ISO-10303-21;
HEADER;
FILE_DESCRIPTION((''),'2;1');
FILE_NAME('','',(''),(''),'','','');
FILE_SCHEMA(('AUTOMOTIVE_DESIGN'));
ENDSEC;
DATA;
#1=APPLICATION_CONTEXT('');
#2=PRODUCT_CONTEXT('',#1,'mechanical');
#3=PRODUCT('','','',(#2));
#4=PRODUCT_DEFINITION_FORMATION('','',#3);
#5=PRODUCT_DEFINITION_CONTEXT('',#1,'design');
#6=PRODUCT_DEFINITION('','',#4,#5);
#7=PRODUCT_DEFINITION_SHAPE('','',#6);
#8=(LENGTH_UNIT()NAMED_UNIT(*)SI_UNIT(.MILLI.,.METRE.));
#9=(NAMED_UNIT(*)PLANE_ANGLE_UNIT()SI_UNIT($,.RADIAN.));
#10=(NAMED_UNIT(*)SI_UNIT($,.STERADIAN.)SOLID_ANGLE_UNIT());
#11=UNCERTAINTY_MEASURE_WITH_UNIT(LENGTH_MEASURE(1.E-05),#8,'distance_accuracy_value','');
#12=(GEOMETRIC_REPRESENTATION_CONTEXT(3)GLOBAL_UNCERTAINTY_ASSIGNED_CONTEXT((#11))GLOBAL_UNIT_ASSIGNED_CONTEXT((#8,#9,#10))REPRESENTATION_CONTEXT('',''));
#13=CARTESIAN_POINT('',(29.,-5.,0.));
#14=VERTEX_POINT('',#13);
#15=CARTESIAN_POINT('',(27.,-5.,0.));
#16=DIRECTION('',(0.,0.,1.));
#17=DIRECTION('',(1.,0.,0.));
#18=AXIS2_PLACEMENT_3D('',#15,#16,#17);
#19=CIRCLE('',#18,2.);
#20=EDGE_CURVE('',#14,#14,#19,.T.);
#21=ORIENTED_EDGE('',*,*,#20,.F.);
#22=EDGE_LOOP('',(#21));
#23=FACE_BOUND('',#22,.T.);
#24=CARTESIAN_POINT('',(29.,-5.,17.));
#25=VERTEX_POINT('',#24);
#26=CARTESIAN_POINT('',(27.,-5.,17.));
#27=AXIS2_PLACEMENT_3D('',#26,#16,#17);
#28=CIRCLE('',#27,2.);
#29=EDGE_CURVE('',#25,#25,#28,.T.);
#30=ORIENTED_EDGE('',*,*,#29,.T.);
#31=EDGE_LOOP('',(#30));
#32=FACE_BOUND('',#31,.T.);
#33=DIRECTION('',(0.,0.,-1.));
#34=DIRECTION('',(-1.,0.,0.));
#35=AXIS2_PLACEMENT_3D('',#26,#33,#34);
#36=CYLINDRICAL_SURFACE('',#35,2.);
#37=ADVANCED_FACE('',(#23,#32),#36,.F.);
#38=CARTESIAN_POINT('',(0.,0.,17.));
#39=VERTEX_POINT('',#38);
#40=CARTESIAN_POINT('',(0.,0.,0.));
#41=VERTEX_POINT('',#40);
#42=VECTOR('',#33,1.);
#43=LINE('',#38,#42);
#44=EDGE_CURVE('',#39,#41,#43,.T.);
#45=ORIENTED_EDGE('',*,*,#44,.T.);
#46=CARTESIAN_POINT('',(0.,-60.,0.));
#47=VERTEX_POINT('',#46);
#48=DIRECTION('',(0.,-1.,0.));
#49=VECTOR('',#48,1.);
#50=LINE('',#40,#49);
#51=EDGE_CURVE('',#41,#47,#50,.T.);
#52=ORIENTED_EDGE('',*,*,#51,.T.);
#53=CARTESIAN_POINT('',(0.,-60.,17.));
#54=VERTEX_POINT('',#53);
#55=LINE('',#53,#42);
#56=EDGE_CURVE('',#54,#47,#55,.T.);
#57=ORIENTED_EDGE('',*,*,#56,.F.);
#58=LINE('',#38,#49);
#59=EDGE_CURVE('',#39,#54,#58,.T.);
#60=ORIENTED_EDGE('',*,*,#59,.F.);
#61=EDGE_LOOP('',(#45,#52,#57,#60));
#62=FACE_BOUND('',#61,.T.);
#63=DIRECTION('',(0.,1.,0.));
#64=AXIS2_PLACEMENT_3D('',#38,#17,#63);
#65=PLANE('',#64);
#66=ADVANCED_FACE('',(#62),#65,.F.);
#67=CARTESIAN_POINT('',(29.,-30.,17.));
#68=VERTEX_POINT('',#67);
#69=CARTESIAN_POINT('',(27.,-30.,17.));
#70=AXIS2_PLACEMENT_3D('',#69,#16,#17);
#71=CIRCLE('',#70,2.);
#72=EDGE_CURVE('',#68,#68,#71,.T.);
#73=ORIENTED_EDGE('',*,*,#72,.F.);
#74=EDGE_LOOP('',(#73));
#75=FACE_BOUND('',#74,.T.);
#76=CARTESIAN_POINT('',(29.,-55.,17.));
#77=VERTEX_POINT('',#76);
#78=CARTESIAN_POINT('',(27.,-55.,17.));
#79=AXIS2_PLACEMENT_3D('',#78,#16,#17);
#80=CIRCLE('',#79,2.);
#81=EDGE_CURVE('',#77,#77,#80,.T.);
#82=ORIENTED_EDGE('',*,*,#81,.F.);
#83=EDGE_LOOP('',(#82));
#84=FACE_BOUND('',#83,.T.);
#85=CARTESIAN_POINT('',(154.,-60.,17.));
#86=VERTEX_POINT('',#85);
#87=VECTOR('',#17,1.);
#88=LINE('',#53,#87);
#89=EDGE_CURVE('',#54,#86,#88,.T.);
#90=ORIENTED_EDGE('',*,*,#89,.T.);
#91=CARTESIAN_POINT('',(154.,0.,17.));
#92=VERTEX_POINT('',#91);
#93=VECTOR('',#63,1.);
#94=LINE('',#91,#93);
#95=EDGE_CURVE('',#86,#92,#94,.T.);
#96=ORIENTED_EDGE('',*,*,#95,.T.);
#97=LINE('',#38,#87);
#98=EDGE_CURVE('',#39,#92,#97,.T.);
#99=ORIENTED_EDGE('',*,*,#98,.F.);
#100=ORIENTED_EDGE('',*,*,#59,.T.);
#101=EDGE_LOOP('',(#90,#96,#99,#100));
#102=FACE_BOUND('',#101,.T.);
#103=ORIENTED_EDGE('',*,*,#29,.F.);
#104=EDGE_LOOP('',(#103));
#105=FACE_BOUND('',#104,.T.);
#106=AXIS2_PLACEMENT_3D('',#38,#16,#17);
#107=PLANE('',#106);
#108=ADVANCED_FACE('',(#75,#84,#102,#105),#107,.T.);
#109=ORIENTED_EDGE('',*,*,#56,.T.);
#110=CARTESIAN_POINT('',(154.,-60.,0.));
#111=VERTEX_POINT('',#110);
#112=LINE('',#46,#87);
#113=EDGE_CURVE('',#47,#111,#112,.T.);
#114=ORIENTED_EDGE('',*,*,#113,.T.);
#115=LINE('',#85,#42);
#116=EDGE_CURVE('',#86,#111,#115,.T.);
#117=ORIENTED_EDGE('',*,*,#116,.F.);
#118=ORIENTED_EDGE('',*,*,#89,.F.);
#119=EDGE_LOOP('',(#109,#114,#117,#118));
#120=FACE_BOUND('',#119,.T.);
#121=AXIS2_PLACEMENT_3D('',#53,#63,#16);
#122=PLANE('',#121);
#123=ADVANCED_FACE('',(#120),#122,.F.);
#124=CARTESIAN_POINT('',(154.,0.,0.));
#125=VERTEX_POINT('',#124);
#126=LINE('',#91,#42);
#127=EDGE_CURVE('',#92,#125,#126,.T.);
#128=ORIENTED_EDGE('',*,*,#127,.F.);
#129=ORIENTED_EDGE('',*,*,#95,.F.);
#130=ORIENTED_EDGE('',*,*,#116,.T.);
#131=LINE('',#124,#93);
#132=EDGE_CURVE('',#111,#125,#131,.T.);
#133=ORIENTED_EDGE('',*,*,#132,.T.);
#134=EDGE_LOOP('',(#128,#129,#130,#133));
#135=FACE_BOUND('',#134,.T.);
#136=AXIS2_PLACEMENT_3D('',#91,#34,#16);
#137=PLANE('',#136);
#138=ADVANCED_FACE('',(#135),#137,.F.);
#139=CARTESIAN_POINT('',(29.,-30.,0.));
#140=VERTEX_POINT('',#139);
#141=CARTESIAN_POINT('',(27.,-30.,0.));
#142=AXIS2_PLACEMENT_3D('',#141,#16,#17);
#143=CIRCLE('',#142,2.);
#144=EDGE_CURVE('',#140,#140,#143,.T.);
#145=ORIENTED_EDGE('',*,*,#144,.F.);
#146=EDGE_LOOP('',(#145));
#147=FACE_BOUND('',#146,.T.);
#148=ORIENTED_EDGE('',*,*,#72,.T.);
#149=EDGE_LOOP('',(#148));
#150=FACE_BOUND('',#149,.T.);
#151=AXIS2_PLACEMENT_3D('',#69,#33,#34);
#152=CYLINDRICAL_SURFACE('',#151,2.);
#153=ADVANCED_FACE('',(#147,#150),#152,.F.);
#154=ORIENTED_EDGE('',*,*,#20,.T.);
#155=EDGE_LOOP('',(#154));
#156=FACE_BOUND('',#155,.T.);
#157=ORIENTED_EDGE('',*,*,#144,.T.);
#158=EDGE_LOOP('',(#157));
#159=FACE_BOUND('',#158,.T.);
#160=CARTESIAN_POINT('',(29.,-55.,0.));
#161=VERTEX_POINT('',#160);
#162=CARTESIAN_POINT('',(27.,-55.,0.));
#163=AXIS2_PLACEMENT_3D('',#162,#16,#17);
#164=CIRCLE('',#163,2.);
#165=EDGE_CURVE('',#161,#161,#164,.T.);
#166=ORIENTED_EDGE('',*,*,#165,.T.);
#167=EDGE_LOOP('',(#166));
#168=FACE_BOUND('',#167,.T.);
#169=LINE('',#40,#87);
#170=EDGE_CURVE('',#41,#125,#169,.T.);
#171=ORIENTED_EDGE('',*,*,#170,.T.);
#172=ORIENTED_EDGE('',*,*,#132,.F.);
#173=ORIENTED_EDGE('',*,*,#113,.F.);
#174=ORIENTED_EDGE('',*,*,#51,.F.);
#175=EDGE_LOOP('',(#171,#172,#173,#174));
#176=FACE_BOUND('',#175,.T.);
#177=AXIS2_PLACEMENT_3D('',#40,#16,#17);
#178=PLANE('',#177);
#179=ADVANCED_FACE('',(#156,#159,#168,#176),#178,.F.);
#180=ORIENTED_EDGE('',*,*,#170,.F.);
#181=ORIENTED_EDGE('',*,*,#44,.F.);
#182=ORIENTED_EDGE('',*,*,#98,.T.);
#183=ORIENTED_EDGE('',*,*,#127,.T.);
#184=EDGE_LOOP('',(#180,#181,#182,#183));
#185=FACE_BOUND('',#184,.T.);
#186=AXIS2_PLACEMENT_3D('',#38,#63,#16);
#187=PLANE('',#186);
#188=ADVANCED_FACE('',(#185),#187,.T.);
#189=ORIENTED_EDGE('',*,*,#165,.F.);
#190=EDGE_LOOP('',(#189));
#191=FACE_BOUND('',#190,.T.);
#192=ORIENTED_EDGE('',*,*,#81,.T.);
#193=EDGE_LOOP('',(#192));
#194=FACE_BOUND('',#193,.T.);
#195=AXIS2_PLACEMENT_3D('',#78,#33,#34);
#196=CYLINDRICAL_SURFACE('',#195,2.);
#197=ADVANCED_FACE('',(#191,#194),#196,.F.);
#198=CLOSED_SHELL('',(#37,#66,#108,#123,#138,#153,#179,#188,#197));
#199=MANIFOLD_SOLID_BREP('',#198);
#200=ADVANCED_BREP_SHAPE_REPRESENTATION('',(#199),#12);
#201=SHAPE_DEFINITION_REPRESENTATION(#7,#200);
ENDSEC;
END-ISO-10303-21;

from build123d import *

# Parameters (mm, degrees)
ESQUISSE1_W        = 54
ESQUISSE1_H        = 60
ESQUISSE1_R        = 2
ESQUISSE1_W_2      = 46
BOSS_EXTRU_1_DEPTH = 17


with BuildPart() as part:
    # Esquisse1 → Boss.-Extru.1 (new body)
    # profile 1 of 3: a face of its own
    with BuildSketch(Plane.XY):
        with Locations((27, -30)):
            Rectangle(ESQUISSE1_W, ESQUISSE1_H)
        with Locations((27, -5)):
            Circle(ESQUISSE1_R, mode=Mode.SUBTRACT)
        with Locations((27, -30)):
            Circle(ESQUISSE1_R, mode=Mode.SUBTRACT)
        with Locations((27, -55)):
            Circle(ESQUISSE1_R, mode=Mode.SUBTRACT)
    # profile 2 of 3: a face of its own
    with BuildSketch(Plane.XY):
        with Locations((77, -30)):
            Rectangle(ESQUISSE1_W_2, ESQUISSE1_H)
    # profile 3 of 3: a face of its own
    with BuildSketch(Plane.XY):
        with Locations((127, -30)):
            Rectangle(ESQUISSE1_W, ESQUISSE1_H)
    extrude(amount=BOSS_EXTRU_1_DEPTH)


solid = part.part
